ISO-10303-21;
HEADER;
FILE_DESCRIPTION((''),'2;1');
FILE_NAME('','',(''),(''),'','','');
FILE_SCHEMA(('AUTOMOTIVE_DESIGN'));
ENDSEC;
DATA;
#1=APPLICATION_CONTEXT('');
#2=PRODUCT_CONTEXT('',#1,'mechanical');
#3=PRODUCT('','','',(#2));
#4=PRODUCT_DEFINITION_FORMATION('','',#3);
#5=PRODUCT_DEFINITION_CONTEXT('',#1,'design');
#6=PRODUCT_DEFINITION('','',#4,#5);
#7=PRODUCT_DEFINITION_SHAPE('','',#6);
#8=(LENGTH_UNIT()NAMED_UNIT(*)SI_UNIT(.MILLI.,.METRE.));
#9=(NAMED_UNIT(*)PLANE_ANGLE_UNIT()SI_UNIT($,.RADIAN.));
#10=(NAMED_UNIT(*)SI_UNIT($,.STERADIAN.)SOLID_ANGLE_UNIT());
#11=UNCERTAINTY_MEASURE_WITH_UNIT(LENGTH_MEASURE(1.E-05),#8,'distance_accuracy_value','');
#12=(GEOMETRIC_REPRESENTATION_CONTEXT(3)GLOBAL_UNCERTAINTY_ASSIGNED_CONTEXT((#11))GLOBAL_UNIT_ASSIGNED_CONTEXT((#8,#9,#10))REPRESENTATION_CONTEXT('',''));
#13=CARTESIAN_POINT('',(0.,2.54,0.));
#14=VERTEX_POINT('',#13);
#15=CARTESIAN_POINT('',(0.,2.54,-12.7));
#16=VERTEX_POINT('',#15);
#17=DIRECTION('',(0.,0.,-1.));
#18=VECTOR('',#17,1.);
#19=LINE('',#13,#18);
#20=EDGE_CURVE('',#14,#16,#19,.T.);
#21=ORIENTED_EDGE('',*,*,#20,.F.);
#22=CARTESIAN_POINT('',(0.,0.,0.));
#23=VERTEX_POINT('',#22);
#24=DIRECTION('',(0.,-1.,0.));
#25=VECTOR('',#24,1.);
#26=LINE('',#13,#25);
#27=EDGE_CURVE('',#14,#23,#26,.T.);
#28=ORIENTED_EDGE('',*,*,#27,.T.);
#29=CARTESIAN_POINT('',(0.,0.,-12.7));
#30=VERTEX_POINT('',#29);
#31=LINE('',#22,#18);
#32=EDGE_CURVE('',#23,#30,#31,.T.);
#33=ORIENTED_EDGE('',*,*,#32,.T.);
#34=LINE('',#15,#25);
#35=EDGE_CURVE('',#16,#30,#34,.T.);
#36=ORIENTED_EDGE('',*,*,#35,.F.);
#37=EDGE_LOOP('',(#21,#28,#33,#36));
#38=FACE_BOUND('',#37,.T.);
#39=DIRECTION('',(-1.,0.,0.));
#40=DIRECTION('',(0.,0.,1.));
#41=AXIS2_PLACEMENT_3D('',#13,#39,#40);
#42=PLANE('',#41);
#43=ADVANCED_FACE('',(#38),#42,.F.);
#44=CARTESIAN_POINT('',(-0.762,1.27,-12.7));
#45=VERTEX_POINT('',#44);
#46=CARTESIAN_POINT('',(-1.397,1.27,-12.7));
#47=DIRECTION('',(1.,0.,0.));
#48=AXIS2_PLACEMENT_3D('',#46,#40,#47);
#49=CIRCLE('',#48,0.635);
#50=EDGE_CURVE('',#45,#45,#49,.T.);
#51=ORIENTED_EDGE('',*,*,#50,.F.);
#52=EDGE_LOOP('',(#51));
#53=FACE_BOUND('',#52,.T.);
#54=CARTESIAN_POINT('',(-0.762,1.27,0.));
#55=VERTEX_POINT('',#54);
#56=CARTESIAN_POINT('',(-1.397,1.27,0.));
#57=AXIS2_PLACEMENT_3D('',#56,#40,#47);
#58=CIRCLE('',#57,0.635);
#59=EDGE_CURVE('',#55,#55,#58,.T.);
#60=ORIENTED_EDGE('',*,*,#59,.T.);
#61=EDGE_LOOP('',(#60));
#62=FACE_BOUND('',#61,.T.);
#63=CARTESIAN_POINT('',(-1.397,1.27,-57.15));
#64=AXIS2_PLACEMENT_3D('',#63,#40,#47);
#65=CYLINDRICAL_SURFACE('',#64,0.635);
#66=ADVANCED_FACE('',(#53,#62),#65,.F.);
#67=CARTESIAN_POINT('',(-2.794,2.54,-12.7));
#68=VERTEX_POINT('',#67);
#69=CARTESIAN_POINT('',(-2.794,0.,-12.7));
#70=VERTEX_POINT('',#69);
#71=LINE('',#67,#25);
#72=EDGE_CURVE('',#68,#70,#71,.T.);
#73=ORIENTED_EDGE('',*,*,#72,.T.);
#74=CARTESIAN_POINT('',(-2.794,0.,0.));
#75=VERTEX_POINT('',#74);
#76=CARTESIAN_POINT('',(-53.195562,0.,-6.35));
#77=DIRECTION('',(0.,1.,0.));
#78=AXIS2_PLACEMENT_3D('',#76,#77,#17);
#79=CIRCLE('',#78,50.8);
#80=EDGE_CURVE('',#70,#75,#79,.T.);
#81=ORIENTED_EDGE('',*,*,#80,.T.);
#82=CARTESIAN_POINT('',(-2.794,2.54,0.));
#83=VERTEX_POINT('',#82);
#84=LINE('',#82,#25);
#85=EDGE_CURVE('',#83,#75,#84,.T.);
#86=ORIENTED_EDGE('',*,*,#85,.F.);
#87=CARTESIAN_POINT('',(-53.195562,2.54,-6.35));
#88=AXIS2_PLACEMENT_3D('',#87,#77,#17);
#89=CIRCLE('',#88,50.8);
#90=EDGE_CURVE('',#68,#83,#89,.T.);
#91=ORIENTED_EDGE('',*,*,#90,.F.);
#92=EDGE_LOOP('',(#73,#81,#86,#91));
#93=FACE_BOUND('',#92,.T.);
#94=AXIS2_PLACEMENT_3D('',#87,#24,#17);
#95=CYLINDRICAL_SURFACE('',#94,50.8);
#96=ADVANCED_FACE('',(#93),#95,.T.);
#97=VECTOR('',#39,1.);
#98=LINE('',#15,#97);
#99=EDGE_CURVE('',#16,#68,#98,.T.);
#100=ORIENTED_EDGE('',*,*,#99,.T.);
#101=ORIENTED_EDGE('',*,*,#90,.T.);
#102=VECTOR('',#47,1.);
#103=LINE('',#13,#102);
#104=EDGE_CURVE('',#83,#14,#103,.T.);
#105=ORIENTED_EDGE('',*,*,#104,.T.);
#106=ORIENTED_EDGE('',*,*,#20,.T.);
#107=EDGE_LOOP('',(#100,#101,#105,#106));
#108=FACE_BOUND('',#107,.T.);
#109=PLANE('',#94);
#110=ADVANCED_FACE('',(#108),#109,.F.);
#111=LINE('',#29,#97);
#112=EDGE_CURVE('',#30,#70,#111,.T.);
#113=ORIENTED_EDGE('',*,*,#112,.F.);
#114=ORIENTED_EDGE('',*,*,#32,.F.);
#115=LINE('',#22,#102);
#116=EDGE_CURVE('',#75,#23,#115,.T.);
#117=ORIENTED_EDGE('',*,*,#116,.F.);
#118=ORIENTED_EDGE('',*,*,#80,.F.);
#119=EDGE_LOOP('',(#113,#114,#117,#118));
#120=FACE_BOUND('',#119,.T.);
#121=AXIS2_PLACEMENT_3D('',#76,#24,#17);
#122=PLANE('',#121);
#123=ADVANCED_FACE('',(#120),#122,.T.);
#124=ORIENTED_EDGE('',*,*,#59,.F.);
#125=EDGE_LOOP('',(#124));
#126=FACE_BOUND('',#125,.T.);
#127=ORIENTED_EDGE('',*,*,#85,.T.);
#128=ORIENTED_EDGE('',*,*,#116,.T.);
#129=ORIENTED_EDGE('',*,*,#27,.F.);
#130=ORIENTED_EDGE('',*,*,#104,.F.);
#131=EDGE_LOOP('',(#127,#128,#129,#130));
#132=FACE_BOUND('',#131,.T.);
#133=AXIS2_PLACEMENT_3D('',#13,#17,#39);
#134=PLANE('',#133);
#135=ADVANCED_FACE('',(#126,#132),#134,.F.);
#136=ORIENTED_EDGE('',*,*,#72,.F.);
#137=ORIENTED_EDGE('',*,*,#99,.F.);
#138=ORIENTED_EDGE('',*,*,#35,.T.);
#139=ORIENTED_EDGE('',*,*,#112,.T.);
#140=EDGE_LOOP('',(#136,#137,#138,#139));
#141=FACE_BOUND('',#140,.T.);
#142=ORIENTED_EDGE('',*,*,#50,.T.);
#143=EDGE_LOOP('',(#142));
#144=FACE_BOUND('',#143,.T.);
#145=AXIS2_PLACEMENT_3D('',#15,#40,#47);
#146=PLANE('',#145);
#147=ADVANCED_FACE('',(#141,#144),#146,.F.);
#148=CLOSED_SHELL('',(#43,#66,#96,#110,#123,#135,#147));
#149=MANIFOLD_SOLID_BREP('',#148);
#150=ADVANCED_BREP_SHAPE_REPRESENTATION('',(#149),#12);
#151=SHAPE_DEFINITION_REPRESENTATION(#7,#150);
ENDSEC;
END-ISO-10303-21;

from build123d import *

# Parameters (mm, degrees)
BOSS_EXTRUDE1_DEPTH = 2.54
SKETCH2_R           = 0.635
CUT_EXTRUDE1_DEPTH  = 119.691411293


with BuildPart() as part:
    # Sketch1 → Boss-Extrude1 (new body)
    with BuildSketch(Plane(origin=(0, 0, 0), x_dir=(1, 0, 0), z_dir=(0, 1, 0))):
        with BuildLine():
            Line((0, 0), (0, 12.7))
            Line((0, 12.7), (-2.794, 12.7))
            ThreePointArc((-2.794, 12.7), (-103.995562476, 6.35), (-2.794, 0))
            Line((-2.794, 0), (0, 0))
        make_face()
    extrude(amount=BOSS_EXTRUDE1_DEPTH)

    # Sketch2 → Cut-Extrude1 (cut, through all)
    with BuildSketch(Plane.XY):
        with Locations((-1.397, 1.27)):
            Circle(SKETCH2_R)
    extrude(amount=-CUT_EXTRUDE1_DEPTH, mode=Mode.SUBTRACT)


solid = part.part
